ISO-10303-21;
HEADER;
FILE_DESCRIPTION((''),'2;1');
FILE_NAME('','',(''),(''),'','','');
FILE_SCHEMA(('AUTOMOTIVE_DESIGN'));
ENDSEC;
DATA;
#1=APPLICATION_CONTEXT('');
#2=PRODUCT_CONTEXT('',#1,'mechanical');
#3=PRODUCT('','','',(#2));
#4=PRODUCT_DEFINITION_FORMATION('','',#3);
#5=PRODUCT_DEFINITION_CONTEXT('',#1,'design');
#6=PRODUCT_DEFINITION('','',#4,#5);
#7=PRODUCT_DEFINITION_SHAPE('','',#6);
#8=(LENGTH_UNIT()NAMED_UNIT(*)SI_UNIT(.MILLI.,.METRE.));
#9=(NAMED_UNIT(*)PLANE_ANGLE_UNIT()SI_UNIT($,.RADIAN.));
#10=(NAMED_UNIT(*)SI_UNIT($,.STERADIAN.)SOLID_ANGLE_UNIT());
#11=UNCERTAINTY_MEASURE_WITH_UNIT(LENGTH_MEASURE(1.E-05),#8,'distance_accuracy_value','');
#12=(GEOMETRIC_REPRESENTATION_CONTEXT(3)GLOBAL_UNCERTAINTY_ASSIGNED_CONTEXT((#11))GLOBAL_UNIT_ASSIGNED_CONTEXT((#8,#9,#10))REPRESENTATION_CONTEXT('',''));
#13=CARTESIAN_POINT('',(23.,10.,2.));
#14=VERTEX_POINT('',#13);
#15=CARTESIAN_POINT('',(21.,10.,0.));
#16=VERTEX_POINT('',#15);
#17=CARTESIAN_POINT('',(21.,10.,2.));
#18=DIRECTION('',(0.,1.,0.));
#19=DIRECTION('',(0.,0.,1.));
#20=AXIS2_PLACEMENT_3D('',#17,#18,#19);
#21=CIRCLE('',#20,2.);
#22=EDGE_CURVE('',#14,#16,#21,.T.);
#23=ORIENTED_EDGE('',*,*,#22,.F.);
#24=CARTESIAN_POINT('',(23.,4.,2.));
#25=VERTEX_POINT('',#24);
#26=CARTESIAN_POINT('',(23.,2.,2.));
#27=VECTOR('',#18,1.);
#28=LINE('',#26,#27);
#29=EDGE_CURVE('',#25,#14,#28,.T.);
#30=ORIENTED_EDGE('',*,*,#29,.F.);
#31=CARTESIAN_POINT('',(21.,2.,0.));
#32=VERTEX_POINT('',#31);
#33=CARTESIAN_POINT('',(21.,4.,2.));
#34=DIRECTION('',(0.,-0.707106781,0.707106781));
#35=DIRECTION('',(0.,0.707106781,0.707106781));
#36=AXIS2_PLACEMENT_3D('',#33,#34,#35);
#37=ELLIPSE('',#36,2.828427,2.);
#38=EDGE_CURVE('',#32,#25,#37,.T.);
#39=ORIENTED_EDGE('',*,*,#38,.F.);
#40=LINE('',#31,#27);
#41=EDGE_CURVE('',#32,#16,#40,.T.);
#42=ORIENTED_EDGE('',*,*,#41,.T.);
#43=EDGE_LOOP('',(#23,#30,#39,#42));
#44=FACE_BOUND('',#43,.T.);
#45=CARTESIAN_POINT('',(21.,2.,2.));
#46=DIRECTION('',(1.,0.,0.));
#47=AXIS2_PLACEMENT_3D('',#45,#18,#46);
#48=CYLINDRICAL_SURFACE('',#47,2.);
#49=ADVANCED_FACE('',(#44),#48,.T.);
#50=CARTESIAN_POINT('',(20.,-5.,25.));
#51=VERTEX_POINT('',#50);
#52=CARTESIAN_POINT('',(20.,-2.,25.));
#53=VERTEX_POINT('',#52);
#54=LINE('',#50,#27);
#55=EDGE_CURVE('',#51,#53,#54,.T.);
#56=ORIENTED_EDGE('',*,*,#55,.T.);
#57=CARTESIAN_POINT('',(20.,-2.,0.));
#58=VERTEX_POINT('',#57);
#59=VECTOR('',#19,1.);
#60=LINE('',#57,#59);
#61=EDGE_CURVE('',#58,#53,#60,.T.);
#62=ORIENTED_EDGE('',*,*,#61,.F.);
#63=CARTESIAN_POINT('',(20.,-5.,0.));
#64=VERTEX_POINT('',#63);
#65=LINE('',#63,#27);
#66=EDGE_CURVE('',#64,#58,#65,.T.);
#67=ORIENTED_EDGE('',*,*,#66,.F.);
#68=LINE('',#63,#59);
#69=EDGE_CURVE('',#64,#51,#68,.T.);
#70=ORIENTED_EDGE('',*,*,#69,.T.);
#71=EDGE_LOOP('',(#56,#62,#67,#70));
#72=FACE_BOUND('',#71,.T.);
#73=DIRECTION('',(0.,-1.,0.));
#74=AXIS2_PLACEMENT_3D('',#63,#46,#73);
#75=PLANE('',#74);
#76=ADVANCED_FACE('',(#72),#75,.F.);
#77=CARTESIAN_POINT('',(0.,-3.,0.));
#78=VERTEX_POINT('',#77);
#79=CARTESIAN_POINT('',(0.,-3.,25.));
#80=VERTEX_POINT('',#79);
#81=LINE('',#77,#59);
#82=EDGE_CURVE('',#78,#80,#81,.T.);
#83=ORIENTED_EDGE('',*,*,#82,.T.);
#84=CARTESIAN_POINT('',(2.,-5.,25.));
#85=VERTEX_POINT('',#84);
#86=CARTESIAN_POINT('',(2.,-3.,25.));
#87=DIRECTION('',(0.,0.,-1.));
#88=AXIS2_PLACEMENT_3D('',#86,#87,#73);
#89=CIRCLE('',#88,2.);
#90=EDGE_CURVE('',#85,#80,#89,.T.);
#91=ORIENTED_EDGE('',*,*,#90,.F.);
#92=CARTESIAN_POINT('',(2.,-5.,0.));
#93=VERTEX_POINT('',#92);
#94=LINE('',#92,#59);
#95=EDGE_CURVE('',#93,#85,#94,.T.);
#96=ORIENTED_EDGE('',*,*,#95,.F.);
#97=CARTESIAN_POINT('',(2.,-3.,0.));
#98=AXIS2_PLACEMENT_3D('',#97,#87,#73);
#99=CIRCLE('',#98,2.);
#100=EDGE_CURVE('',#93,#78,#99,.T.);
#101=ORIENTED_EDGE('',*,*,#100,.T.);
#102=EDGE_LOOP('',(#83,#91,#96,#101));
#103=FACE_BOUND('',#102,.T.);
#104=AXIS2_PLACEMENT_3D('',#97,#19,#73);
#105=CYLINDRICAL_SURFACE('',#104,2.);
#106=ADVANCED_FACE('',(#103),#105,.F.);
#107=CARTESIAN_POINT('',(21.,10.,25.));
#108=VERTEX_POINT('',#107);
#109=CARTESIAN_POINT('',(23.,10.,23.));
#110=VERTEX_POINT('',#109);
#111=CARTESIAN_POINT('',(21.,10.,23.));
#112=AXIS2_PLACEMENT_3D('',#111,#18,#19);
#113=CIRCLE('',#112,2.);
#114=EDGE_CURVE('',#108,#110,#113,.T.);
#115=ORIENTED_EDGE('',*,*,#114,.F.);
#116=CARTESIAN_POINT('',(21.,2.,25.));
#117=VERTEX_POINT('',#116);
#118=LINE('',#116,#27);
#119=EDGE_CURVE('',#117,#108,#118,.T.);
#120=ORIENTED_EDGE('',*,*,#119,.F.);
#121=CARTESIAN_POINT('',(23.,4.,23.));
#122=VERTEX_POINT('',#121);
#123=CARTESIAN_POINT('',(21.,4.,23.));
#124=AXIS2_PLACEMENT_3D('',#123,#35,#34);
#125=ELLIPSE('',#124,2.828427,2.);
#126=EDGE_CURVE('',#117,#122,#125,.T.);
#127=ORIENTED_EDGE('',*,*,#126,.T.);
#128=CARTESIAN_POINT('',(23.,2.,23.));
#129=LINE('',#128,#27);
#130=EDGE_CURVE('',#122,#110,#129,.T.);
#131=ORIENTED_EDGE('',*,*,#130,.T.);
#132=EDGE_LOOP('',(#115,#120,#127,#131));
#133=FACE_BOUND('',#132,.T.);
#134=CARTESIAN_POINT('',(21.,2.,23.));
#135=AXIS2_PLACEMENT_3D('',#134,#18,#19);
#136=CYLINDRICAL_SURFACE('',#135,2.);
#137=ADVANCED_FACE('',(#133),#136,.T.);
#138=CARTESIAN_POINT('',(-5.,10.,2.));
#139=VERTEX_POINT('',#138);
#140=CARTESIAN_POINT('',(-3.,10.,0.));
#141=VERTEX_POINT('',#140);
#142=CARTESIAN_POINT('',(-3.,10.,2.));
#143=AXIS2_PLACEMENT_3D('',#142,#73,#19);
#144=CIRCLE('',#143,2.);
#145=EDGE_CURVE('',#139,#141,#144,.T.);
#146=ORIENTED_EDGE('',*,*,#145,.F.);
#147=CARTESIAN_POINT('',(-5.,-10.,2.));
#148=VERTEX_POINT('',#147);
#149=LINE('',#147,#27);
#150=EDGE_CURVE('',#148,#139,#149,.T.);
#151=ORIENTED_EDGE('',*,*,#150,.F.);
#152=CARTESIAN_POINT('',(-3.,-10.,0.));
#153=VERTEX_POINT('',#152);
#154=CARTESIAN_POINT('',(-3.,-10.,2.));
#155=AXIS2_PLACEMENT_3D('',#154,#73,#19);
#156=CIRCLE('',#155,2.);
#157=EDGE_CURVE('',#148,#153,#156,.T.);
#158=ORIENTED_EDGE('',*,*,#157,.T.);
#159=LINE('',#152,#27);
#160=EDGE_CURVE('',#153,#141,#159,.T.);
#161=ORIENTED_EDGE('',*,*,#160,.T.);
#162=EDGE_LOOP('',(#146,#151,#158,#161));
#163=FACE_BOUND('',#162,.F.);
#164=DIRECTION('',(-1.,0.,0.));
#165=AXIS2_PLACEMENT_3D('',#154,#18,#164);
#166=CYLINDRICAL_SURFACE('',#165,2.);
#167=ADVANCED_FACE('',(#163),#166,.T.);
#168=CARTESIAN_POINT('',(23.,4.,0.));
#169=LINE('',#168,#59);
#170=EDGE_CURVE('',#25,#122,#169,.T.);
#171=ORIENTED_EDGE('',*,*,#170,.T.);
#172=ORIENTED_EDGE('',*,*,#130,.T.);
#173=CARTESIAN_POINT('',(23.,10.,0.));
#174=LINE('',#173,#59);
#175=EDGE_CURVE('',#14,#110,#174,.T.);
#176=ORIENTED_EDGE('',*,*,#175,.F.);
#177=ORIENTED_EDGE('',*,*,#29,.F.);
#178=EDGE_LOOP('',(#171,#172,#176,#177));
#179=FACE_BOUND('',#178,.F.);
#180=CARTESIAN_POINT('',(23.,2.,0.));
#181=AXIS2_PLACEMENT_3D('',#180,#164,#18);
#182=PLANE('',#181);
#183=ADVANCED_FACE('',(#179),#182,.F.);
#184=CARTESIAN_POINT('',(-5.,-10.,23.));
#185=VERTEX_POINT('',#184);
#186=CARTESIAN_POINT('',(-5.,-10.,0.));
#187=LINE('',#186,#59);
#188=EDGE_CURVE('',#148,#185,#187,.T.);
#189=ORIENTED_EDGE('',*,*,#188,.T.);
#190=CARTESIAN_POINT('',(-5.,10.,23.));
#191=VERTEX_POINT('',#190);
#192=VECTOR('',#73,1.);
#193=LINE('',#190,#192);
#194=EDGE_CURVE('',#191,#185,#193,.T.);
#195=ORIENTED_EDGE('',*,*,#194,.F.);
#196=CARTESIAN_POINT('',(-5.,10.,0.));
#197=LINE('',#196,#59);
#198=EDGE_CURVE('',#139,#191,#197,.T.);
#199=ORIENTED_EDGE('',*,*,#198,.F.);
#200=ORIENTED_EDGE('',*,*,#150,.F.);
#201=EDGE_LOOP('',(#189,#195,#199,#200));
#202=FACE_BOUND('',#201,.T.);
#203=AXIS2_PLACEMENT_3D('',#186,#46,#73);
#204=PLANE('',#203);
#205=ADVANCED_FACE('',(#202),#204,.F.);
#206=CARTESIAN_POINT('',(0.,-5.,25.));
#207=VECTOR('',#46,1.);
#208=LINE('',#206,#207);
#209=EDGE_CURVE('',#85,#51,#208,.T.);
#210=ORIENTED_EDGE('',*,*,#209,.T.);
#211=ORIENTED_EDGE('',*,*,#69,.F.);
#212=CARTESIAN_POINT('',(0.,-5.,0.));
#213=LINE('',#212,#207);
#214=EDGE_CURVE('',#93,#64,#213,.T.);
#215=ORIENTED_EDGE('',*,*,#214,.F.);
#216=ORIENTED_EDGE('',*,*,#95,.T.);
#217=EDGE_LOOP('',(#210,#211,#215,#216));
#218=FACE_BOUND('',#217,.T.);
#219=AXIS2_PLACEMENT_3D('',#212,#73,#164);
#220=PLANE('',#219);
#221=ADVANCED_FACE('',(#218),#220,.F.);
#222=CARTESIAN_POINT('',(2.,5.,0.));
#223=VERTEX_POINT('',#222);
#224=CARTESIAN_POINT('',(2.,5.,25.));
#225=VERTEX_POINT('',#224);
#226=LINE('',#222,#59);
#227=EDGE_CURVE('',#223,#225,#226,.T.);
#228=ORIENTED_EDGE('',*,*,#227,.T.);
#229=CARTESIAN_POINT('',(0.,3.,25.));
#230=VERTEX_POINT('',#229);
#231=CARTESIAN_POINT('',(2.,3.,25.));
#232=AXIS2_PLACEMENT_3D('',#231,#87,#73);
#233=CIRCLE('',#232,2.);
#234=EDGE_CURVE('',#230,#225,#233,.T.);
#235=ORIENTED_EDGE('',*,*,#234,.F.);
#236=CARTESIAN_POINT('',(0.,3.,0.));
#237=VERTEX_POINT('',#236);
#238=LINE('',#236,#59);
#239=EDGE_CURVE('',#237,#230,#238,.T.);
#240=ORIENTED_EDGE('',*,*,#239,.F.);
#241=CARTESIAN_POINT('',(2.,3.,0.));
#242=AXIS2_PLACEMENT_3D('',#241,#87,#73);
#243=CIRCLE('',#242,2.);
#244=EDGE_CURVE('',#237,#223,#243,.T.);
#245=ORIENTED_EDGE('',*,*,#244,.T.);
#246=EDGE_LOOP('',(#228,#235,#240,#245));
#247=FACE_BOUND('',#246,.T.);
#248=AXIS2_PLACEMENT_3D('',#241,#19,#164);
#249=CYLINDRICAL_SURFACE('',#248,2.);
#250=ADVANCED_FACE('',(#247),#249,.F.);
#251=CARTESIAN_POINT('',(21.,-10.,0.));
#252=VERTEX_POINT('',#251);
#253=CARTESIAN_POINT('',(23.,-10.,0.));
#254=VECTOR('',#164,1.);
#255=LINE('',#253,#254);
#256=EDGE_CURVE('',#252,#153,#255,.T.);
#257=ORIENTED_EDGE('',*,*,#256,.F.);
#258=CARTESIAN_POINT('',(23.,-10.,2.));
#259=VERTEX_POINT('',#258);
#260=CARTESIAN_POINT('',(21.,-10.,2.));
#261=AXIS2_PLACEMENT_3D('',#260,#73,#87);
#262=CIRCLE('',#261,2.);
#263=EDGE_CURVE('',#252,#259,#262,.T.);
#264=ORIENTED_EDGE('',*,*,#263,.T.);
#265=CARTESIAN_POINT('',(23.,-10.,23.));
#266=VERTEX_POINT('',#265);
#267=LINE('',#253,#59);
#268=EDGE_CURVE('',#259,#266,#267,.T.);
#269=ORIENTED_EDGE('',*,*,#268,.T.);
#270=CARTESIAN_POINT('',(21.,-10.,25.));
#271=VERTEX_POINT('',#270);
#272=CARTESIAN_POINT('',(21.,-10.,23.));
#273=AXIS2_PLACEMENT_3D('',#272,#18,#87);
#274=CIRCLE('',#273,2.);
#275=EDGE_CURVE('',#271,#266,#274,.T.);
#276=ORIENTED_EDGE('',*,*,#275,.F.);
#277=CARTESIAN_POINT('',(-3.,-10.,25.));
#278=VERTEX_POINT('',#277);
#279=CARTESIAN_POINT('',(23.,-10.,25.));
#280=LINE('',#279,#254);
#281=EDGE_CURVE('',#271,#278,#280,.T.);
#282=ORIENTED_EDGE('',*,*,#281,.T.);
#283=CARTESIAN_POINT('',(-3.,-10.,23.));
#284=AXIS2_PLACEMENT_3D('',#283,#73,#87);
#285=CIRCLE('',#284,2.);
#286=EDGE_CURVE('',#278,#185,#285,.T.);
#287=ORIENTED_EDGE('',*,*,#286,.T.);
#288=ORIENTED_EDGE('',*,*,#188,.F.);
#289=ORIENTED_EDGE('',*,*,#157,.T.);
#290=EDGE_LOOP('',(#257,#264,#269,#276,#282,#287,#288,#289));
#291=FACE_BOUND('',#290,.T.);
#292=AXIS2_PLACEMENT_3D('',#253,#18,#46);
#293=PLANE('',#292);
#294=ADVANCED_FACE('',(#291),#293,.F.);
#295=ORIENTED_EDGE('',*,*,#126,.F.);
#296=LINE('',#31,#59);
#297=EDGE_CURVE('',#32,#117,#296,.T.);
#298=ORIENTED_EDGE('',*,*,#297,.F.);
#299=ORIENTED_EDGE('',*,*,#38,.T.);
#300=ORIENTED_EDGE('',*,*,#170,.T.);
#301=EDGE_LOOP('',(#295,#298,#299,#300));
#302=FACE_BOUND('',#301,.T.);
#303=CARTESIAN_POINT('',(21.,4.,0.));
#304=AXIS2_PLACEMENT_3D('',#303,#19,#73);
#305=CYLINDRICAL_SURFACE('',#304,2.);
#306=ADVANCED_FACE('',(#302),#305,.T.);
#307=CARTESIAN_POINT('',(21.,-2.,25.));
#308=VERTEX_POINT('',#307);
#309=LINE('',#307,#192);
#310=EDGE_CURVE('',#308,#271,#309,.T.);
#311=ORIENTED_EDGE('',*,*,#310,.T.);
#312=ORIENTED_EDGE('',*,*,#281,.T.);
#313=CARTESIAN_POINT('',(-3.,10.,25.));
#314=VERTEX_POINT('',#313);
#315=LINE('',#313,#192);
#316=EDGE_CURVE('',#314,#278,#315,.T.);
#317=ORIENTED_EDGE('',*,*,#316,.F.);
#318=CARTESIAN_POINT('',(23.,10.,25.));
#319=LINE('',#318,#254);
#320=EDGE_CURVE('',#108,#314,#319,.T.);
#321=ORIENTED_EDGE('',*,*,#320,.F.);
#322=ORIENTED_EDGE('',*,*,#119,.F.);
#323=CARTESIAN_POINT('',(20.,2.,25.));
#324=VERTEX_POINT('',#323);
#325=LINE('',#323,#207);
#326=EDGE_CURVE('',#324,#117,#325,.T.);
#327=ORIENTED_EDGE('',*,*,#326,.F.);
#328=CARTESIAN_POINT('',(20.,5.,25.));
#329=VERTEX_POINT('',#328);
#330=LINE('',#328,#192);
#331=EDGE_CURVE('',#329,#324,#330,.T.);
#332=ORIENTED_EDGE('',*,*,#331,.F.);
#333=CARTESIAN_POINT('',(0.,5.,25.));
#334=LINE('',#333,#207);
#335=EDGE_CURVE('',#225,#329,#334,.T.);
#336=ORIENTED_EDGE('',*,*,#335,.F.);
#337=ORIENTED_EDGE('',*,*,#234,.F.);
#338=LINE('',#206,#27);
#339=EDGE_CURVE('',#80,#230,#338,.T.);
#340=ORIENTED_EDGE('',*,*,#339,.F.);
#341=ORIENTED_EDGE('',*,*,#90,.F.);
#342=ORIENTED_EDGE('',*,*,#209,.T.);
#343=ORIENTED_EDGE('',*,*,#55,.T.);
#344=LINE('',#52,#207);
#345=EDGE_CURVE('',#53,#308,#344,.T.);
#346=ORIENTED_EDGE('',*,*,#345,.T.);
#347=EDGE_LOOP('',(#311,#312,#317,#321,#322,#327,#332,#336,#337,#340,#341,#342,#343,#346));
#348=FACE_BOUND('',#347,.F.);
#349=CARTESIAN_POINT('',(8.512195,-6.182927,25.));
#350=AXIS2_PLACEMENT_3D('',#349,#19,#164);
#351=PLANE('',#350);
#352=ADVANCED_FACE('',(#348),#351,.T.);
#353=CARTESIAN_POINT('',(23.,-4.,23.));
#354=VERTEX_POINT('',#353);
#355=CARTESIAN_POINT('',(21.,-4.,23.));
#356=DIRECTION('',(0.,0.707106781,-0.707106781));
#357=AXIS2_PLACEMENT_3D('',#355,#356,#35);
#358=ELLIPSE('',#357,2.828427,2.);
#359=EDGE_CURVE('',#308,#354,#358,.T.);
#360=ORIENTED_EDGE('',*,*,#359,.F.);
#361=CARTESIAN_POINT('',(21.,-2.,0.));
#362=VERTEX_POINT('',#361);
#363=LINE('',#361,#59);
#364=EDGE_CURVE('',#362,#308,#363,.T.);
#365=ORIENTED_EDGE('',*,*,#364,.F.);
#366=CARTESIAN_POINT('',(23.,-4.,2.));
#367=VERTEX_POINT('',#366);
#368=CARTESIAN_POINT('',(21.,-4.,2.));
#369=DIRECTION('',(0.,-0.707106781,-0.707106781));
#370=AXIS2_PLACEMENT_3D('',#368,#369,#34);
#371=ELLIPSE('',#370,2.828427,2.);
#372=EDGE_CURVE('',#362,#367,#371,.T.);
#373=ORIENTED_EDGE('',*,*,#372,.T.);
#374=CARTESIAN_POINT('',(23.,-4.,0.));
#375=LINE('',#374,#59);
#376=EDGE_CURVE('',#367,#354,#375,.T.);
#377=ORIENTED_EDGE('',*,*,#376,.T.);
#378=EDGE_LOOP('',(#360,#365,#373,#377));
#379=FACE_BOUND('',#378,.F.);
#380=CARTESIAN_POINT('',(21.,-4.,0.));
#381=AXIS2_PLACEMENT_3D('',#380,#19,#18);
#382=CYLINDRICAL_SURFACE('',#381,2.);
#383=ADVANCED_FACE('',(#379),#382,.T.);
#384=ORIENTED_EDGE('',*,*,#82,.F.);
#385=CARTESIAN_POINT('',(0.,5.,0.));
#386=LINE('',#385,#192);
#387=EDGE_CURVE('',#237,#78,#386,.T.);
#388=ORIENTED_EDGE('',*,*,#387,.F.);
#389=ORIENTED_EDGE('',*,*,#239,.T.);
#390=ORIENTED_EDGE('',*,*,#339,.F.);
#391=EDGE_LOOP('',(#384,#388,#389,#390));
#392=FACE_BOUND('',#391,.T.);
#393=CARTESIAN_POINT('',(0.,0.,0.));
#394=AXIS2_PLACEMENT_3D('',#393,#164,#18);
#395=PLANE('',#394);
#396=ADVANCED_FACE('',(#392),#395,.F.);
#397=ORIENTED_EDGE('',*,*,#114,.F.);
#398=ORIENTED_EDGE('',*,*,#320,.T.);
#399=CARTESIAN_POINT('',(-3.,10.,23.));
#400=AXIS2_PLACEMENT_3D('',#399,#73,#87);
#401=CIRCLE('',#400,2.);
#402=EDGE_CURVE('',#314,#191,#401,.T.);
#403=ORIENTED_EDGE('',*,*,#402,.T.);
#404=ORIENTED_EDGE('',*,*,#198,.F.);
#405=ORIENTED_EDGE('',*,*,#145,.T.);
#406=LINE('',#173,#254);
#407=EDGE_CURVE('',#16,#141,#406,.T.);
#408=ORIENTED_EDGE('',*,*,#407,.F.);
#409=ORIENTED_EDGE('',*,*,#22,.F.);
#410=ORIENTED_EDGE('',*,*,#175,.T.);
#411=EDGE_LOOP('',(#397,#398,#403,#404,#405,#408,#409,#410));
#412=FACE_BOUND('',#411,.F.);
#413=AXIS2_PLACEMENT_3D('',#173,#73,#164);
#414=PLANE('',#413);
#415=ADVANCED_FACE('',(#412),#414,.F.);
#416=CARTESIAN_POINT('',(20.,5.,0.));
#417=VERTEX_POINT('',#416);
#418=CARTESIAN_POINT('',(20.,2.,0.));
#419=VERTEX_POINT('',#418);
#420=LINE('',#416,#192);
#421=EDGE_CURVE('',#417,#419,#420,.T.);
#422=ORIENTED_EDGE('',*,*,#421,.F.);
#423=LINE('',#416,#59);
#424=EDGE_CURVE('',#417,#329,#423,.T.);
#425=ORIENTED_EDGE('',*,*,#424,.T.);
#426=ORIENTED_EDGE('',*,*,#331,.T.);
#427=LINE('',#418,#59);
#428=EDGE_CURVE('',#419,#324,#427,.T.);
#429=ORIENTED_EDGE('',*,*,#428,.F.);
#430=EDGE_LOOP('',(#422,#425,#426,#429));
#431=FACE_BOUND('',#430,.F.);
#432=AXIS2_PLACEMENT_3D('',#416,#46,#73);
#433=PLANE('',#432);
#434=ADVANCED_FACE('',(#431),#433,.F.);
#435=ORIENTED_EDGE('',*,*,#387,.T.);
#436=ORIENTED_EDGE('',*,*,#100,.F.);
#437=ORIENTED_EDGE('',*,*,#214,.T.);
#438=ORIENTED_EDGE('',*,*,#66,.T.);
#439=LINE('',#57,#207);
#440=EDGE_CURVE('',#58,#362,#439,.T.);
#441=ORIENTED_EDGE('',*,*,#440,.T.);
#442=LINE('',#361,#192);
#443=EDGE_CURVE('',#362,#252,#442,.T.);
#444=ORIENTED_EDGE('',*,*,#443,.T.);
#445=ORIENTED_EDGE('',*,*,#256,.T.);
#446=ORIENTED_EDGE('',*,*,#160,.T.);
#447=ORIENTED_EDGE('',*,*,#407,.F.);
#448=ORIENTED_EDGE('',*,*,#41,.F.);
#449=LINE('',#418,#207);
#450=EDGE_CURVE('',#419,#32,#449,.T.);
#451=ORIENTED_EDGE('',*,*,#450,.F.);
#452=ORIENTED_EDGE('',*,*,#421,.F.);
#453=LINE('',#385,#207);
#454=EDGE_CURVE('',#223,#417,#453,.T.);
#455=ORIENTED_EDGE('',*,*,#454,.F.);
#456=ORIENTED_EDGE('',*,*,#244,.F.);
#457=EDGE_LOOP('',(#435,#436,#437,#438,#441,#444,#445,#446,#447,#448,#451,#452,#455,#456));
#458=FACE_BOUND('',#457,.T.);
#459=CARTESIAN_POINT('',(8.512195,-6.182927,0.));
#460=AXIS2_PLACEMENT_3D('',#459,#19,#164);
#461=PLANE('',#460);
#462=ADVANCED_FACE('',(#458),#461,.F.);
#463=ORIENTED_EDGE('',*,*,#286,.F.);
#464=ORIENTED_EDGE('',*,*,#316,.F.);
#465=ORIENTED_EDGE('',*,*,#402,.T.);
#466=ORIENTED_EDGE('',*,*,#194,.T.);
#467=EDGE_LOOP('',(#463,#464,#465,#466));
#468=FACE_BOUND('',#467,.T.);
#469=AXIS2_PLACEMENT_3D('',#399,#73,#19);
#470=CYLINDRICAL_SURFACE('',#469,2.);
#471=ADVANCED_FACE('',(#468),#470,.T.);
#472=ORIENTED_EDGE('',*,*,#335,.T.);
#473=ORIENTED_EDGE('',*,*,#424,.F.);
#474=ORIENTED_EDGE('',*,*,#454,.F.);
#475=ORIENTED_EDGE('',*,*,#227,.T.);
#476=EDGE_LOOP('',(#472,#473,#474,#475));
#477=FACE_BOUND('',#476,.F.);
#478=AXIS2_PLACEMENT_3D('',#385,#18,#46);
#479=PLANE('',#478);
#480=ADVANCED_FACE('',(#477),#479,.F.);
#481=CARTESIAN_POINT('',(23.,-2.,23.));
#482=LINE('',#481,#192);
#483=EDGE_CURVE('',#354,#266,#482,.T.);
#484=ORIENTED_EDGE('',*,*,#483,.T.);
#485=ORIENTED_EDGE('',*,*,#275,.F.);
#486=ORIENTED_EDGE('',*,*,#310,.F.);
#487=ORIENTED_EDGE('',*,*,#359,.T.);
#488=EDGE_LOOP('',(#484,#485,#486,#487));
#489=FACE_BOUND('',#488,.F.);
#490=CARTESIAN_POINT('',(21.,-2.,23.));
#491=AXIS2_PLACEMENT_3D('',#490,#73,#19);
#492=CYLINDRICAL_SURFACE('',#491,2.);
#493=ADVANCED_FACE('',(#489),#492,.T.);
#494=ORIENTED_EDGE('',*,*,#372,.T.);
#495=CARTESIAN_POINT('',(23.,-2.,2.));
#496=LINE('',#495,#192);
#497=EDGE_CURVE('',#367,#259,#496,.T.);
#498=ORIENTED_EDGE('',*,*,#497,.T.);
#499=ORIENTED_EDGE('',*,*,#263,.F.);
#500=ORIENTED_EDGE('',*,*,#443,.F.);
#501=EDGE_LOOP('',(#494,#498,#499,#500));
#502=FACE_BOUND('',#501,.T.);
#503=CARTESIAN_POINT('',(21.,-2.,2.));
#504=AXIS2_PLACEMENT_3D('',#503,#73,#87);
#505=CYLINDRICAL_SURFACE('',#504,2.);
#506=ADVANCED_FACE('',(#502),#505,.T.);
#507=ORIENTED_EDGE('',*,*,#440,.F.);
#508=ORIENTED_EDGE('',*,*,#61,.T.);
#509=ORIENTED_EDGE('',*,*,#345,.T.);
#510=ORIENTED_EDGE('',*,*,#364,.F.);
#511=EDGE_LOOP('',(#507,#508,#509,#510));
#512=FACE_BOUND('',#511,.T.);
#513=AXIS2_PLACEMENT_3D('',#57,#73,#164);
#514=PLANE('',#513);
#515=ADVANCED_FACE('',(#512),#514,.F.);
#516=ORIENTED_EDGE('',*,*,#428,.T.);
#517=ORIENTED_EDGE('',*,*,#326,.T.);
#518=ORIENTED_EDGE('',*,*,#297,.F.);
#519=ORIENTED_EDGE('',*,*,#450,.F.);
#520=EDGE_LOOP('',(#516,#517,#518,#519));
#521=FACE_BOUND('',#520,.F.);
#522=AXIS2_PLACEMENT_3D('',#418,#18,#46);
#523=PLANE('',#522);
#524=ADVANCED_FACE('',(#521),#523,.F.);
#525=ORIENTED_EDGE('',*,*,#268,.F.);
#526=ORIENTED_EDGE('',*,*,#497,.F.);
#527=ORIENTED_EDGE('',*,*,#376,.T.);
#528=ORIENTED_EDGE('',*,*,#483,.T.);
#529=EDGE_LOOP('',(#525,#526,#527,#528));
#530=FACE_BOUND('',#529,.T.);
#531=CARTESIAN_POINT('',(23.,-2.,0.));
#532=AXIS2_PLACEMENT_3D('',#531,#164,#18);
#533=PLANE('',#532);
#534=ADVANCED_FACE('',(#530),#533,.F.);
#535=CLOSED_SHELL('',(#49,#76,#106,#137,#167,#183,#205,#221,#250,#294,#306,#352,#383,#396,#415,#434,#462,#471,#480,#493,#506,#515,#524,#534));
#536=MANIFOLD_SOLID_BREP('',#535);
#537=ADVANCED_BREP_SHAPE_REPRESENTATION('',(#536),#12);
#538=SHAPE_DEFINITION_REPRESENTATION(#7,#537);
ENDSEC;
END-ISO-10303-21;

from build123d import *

# Parameters (mm, degrees)
F1_DEPTH = 25
F3_R     = 2


with BuildPart() as f1:
    # F0 (on Top) → F1 (new body)
    with BuildSketch(Plane.XY):
        Polygon((20, 2), (23, 2), (23, 10), (-5, 10), (-5, 0), (0, 0), (0, 5), (20, 5), align=None)
    extrude(amount=F1_DEPTH)

    # F2: F1 across plane


with BuildPart() as f1_1:
    add(f1.part)
    add(f1.part.mirror(Plane.XZ))

    # F3
    f3_edges = [f1_1.edges().sort_by_distance(p)[0] for p in [
        (0, 5, 12.5),
        (0, -5, 12.5),
        (23, 2, 12.5),
        (23, -2, 12.5),
        (-5, 0, 25),
        (-5, 0, 0),
        (23, 6, 25),
        (23, -6, 25),
        (23, -6, 0),
        (23, 6, 0),
    ]]
    fillet(f3_edges, radius=F3_R)


solid = f1_1.part
